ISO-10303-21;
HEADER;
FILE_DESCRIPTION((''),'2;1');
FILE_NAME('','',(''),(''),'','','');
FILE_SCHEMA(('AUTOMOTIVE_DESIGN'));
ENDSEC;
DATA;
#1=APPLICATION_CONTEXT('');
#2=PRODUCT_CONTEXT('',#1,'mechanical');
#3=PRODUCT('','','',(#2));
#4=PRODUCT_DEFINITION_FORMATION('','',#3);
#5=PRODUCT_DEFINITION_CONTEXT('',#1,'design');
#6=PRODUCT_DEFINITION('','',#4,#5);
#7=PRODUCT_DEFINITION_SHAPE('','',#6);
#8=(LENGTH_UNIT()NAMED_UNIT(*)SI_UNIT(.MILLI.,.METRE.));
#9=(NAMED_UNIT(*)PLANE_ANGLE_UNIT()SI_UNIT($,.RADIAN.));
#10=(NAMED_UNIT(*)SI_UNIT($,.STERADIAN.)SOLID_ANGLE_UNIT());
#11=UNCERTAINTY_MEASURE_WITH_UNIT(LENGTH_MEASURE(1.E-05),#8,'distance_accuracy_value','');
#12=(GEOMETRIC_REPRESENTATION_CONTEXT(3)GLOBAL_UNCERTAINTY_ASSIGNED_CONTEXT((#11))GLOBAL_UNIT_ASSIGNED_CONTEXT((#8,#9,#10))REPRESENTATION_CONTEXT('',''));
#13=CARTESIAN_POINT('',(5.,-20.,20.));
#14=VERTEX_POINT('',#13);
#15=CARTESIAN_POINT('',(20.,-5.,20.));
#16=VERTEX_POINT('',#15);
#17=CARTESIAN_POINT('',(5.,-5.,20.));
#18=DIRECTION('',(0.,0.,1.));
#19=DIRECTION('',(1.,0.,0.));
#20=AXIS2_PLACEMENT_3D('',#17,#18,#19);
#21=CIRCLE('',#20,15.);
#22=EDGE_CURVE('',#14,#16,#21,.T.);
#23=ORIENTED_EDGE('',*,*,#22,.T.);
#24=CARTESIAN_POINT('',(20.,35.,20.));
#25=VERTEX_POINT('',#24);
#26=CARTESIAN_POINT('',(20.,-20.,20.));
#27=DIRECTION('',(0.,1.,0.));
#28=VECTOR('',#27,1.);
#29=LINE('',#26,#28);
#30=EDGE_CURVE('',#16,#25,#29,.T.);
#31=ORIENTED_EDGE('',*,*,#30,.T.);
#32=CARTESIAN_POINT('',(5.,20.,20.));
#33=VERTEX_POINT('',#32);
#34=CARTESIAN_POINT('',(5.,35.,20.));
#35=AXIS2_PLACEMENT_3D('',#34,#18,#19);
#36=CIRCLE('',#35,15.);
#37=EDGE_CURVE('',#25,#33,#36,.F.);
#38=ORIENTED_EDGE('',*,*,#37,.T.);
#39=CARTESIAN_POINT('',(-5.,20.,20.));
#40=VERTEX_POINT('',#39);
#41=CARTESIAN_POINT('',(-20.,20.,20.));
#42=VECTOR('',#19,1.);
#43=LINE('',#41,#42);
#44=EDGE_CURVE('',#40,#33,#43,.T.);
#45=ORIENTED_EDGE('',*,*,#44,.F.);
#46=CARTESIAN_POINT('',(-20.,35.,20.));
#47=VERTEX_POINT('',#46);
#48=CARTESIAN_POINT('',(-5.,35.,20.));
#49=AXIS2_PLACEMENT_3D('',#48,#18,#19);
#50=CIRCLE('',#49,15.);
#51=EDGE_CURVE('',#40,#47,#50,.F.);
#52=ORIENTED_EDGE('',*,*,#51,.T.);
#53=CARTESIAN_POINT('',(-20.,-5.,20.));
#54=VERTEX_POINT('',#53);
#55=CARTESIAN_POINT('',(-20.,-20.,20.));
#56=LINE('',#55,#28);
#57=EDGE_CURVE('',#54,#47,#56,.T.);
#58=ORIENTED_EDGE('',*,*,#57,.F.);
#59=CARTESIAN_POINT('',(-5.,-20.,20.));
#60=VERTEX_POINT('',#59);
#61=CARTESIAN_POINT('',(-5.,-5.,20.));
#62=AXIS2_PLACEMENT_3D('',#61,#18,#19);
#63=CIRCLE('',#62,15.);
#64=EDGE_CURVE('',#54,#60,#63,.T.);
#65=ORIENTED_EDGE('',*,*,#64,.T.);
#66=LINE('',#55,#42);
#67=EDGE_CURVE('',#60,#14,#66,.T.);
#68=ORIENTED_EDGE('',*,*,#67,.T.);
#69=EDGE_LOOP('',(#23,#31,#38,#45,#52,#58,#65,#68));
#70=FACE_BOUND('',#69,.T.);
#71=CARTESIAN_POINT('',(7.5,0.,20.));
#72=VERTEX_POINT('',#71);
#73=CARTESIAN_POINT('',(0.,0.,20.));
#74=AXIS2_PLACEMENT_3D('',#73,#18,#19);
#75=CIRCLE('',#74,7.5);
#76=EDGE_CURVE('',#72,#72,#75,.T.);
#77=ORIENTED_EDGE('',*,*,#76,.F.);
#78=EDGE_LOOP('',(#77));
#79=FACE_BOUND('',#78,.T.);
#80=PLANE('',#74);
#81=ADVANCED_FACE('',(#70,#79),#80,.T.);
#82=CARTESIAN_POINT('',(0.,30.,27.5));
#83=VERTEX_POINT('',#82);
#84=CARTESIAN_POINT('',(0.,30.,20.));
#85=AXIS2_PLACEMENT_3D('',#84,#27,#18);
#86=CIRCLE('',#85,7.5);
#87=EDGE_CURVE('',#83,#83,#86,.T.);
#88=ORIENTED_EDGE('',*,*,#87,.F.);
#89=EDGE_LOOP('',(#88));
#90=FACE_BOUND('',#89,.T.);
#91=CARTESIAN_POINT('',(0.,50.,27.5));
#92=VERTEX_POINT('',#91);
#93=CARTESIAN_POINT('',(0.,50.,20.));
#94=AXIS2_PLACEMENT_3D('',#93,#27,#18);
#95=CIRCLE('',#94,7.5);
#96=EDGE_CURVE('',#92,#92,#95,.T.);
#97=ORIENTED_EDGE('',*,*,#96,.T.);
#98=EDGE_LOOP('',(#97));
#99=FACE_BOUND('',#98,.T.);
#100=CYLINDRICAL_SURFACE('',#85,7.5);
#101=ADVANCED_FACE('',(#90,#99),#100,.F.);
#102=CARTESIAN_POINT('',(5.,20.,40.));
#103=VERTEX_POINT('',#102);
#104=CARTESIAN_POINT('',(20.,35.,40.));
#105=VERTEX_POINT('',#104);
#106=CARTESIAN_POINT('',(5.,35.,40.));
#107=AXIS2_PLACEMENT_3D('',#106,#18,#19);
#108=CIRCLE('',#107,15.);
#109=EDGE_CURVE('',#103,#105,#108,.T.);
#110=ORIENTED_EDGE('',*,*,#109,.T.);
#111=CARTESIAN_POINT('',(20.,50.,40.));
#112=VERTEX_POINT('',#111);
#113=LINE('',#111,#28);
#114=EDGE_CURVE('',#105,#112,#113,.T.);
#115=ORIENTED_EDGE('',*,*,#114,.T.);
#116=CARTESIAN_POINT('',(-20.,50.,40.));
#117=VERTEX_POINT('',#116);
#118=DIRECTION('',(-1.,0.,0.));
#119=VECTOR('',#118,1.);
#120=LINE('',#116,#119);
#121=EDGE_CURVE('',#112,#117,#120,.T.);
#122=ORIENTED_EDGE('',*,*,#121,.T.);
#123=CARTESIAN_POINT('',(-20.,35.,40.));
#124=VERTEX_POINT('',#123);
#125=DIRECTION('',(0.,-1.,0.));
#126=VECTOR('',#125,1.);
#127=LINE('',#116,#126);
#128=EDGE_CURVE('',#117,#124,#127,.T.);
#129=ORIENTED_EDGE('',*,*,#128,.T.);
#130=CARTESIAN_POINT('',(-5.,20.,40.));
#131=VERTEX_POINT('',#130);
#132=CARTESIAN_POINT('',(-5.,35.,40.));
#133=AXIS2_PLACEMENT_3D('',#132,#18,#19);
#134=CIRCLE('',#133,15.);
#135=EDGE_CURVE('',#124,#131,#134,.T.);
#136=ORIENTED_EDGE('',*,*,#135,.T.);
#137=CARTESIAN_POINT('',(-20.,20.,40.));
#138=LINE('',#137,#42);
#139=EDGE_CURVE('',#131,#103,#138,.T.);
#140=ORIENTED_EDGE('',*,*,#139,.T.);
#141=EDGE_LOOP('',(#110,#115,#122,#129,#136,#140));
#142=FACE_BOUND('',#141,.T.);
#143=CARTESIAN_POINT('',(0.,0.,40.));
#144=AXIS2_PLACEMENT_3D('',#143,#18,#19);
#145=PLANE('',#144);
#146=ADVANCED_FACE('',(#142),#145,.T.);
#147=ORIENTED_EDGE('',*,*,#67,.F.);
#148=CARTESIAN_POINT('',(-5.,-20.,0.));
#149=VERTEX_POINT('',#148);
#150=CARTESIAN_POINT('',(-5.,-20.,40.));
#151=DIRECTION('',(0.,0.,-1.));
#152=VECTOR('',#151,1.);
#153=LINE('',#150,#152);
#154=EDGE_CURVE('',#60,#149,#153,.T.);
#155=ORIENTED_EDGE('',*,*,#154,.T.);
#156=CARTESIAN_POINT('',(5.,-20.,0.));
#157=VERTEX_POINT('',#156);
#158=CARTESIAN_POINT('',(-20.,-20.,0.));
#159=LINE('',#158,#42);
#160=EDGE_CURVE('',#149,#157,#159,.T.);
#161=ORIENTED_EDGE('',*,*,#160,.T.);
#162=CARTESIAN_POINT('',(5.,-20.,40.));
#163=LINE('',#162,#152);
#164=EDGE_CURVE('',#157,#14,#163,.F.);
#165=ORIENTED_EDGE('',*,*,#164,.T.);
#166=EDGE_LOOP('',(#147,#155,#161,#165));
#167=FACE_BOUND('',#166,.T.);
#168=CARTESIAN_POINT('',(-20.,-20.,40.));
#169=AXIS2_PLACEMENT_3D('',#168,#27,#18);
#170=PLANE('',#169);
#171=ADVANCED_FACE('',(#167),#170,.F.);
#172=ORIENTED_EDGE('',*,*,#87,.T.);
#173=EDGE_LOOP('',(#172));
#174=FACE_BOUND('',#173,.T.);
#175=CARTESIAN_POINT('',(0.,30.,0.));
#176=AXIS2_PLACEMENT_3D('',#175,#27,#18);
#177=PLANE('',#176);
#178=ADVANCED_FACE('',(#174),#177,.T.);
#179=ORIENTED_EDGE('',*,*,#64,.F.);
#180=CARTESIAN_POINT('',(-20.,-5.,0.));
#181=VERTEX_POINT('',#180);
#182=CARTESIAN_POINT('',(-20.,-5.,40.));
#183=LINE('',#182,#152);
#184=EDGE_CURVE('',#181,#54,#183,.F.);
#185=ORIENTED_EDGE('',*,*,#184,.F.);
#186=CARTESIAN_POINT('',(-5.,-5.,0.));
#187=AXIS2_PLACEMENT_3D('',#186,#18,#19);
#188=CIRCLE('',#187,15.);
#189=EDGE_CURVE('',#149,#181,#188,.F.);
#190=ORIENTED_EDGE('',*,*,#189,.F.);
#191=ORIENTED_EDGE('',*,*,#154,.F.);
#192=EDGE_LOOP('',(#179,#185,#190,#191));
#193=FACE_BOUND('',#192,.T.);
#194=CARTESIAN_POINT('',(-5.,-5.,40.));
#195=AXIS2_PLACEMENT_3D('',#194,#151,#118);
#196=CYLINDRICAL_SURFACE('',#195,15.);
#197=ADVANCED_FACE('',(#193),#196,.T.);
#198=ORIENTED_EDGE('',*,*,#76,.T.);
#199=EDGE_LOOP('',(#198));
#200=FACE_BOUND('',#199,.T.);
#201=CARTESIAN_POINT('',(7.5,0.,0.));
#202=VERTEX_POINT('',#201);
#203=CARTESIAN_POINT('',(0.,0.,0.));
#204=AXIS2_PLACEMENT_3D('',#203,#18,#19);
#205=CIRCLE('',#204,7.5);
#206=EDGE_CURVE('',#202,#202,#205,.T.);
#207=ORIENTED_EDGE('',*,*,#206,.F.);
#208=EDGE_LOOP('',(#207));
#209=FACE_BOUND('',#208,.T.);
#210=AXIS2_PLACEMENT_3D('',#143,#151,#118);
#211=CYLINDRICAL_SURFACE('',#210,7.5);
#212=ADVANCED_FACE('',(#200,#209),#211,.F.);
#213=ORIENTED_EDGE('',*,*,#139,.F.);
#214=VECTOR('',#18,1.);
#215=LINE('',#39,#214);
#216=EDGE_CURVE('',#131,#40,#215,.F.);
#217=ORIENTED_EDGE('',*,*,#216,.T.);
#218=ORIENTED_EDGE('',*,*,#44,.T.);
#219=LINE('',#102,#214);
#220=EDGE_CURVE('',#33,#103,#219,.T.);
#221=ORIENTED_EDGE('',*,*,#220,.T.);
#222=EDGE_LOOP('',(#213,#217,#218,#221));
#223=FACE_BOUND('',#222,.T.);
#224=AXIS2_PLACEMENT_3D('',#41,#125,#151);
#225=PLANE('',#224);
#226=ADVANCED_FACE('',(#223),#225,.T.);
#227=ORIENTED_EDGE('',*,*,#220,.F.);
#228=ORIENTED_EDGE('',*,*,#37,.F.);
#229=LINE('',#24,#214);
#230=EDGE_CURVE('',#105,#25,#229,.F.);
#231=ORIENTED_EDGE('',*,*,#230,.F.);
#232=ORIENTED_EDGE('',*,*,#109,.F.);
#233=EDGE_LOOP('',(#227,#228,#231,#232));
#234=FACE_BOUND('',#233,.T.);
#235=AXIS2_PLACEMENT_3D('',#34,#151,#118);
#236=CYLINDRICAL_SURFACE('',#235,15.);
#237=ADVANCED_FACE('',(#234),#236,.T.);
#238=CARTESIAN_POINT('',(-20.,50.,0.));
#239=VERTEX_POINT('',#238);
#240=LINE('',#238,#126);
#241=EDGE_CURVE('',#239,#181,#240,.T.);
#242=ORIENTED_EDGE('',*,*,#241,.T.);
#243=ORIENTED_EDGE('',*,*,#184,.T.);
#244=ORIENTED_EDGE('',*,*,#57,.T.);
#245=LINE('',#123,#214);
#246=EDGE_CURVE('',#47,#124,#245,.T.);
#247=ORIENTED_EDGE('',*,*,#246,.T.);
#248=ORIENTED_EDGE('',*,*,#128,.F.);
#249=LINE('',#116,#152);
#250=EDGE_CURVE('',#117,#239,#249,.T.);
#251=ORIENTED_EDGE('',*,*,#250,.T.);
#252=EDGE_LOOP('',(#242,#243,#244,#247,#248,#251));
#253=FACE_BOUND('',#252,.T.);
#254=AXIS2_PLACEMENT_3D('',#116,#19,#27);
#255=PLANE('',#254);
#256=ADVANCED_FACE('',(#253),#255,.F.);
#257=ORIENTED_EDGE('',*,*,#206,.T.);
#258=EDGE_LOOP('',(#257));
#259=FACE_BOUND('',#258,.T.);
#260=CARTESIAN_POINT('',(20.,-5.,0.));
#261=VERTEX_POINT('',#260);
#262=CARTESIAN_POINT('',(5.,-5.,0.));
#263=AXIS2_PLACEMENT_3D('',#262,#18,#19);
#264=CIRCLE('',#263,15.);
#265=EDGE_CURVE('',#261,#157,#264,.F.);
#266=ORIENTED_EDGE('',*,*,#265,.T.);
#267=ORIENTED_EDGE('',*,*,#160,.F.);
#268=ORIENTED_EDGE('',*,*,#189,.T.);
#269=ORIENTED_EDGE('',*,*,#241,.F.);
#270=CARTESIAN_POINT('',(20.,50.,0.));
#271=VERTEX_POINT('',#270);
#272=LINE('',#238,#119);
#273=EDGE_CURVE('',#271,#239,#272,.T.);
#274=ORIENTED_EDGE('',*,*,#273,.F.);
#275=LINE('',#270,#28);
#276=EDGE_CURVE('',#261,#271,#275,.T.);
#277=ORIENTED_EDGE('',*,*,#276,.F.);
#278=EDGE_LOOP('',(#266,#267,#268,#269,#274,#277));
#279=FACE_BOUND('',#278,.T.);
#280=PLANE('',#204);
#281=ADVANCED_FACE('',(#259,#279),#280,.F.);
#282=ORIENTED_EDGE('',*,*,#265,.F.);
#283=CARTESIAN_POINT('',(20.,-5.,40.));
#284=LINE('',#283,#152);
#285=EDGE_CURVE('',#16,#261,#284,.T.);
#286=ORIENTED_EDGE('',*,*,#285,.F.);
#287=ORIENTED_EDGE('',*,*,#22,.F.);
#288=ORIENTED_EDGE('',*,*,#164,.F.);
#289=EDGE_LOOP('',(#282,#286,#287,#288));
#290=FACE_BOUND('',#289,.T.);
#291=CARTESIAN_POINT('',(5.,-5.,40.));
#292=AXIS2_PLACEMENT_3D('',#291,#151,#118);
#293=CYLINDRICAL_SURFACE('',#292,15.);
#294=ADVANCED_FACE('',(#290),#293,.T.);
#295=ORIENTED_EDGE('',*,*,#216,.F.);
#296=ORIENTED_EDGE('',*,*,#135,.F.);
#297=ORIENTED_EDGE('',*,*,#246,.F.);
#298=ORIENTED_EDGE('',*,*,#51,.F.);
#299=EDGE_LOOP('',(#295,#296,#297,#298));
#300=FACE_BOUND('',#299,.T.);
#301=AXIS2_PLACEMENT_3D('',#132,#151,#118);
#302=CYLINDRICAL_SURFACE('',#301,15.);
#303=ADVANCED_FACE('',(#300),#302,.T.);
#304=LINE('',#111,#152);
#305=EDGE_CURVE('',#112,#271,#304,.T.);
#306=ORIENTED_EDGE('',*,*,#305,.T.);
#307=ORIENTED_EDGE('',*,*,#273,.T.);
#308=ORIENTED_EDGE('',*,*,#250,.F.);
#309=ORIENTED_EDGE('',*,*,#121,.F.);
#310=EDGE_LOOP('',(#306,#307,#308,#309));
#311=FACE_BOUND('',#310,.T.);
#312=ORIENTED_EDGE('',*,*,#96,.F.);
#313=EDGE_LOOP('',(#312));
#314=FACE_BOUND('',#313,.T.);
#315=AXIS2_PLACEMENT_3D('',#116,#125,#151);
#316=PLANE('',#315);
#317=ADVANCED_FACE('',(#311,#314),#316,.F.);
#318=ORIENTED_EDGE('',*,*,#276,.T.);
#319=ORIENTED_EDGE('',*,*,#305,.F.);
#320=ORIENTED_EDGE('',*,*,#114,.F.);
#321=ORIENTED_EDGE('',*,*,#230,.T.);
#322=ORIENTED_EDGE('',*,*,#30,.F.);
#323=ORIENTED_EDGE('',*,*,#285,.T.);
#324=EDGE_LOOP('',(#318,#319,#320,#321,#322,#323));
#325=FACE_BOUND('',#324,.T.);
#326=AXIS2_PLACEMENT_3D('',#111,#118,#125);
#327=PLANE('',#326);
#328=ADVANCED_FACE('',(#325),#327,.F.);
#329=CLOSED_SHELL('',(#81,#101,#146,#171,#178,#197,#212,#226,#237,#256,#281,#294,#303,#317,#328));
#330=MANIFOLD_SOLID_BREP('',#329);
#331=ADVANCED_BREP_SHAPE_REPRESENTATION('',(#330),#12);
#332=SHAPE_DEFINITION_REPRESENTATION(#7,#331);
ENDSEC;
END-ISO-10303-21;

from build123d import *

# Parameters (mm, degrees)
SKETCH1_W           = 40
SKETCH1_H           = 70
SKETCH1_R           = 7.5
BOSS_EXTRUDE1_DEPTH = 40
CUT_EXTRUDE1_DEPTH  = 20
SKETCH3_W           = 40
SKETCH3_H           = 40
CUT_EXTRUDE2_DEPTH  = 20
FILLET1_R           = 15


with BuildPart() as part:
    # Sketch1 → Boss-Extrude1 (new body)
    with BuildSketch(Plane.XY):
        with Locations((0, 15)):
            Rectangle(SKETCH1_W, SKETCH1_H)
        Circle(SKETCH1_R, mode=Mode.SUBTRACT)
    extrude(amount=BOSS_EXTRUDE1_DEPTH)

    # Sketch2 → Cut-Extrude1 (cut)
    with BuildSketch(Plane(origin=(0, 50, 0), x_dir=(1, 0, 0), z_dir=(0, 1, 0))):
        with BuildLine():
            ThreePointArc((7.5, -20), (2.870125743, -13.070903506), (-5.303300859, -14.696699141))
            Line((-5.303300859, -14.696699141), (5.303300859, -25.303300859))
            ThreePointArc((5.303300859, -25.303300859), (6.929096494, -22.870125743), (7.5, -20))
        make_face()
        with BuildLine():
            Line((5.303300859, -25.303300859), (-5.303300859, -14.696699141))
            ThreePointArc((-5.303300859, -14.696699141), (-5.303300859, -25.303300859), (5.303300859, -25.303300859))
        make_face()
    extrude(amount=-CUT_EXTRUDE1_DEPTH, mode=Mode.SUBTRACT)

    # Sketch3 → Cut-Extrude2 (cut)
    with BuildSketch(Plane.XY.offset(40)):
        Rectangle(SKETCH3_W, SKETCH3_H)
    extrude(amount=-CUT_EXTRUDE2_DEPTH, mode=Mode.SUBTRACT)

    # Fillet1
    fillet1_edges = [part.edges().sort_by_distance(p)[0] for p in [
        (20, -20, 10),
        (-20, -20, 10),
        (-20, 20, 30),
        (20, 20, 30),
    ]]
    fillet(fillet1_edges, radius=FILLET1_R)


solid = part.part
